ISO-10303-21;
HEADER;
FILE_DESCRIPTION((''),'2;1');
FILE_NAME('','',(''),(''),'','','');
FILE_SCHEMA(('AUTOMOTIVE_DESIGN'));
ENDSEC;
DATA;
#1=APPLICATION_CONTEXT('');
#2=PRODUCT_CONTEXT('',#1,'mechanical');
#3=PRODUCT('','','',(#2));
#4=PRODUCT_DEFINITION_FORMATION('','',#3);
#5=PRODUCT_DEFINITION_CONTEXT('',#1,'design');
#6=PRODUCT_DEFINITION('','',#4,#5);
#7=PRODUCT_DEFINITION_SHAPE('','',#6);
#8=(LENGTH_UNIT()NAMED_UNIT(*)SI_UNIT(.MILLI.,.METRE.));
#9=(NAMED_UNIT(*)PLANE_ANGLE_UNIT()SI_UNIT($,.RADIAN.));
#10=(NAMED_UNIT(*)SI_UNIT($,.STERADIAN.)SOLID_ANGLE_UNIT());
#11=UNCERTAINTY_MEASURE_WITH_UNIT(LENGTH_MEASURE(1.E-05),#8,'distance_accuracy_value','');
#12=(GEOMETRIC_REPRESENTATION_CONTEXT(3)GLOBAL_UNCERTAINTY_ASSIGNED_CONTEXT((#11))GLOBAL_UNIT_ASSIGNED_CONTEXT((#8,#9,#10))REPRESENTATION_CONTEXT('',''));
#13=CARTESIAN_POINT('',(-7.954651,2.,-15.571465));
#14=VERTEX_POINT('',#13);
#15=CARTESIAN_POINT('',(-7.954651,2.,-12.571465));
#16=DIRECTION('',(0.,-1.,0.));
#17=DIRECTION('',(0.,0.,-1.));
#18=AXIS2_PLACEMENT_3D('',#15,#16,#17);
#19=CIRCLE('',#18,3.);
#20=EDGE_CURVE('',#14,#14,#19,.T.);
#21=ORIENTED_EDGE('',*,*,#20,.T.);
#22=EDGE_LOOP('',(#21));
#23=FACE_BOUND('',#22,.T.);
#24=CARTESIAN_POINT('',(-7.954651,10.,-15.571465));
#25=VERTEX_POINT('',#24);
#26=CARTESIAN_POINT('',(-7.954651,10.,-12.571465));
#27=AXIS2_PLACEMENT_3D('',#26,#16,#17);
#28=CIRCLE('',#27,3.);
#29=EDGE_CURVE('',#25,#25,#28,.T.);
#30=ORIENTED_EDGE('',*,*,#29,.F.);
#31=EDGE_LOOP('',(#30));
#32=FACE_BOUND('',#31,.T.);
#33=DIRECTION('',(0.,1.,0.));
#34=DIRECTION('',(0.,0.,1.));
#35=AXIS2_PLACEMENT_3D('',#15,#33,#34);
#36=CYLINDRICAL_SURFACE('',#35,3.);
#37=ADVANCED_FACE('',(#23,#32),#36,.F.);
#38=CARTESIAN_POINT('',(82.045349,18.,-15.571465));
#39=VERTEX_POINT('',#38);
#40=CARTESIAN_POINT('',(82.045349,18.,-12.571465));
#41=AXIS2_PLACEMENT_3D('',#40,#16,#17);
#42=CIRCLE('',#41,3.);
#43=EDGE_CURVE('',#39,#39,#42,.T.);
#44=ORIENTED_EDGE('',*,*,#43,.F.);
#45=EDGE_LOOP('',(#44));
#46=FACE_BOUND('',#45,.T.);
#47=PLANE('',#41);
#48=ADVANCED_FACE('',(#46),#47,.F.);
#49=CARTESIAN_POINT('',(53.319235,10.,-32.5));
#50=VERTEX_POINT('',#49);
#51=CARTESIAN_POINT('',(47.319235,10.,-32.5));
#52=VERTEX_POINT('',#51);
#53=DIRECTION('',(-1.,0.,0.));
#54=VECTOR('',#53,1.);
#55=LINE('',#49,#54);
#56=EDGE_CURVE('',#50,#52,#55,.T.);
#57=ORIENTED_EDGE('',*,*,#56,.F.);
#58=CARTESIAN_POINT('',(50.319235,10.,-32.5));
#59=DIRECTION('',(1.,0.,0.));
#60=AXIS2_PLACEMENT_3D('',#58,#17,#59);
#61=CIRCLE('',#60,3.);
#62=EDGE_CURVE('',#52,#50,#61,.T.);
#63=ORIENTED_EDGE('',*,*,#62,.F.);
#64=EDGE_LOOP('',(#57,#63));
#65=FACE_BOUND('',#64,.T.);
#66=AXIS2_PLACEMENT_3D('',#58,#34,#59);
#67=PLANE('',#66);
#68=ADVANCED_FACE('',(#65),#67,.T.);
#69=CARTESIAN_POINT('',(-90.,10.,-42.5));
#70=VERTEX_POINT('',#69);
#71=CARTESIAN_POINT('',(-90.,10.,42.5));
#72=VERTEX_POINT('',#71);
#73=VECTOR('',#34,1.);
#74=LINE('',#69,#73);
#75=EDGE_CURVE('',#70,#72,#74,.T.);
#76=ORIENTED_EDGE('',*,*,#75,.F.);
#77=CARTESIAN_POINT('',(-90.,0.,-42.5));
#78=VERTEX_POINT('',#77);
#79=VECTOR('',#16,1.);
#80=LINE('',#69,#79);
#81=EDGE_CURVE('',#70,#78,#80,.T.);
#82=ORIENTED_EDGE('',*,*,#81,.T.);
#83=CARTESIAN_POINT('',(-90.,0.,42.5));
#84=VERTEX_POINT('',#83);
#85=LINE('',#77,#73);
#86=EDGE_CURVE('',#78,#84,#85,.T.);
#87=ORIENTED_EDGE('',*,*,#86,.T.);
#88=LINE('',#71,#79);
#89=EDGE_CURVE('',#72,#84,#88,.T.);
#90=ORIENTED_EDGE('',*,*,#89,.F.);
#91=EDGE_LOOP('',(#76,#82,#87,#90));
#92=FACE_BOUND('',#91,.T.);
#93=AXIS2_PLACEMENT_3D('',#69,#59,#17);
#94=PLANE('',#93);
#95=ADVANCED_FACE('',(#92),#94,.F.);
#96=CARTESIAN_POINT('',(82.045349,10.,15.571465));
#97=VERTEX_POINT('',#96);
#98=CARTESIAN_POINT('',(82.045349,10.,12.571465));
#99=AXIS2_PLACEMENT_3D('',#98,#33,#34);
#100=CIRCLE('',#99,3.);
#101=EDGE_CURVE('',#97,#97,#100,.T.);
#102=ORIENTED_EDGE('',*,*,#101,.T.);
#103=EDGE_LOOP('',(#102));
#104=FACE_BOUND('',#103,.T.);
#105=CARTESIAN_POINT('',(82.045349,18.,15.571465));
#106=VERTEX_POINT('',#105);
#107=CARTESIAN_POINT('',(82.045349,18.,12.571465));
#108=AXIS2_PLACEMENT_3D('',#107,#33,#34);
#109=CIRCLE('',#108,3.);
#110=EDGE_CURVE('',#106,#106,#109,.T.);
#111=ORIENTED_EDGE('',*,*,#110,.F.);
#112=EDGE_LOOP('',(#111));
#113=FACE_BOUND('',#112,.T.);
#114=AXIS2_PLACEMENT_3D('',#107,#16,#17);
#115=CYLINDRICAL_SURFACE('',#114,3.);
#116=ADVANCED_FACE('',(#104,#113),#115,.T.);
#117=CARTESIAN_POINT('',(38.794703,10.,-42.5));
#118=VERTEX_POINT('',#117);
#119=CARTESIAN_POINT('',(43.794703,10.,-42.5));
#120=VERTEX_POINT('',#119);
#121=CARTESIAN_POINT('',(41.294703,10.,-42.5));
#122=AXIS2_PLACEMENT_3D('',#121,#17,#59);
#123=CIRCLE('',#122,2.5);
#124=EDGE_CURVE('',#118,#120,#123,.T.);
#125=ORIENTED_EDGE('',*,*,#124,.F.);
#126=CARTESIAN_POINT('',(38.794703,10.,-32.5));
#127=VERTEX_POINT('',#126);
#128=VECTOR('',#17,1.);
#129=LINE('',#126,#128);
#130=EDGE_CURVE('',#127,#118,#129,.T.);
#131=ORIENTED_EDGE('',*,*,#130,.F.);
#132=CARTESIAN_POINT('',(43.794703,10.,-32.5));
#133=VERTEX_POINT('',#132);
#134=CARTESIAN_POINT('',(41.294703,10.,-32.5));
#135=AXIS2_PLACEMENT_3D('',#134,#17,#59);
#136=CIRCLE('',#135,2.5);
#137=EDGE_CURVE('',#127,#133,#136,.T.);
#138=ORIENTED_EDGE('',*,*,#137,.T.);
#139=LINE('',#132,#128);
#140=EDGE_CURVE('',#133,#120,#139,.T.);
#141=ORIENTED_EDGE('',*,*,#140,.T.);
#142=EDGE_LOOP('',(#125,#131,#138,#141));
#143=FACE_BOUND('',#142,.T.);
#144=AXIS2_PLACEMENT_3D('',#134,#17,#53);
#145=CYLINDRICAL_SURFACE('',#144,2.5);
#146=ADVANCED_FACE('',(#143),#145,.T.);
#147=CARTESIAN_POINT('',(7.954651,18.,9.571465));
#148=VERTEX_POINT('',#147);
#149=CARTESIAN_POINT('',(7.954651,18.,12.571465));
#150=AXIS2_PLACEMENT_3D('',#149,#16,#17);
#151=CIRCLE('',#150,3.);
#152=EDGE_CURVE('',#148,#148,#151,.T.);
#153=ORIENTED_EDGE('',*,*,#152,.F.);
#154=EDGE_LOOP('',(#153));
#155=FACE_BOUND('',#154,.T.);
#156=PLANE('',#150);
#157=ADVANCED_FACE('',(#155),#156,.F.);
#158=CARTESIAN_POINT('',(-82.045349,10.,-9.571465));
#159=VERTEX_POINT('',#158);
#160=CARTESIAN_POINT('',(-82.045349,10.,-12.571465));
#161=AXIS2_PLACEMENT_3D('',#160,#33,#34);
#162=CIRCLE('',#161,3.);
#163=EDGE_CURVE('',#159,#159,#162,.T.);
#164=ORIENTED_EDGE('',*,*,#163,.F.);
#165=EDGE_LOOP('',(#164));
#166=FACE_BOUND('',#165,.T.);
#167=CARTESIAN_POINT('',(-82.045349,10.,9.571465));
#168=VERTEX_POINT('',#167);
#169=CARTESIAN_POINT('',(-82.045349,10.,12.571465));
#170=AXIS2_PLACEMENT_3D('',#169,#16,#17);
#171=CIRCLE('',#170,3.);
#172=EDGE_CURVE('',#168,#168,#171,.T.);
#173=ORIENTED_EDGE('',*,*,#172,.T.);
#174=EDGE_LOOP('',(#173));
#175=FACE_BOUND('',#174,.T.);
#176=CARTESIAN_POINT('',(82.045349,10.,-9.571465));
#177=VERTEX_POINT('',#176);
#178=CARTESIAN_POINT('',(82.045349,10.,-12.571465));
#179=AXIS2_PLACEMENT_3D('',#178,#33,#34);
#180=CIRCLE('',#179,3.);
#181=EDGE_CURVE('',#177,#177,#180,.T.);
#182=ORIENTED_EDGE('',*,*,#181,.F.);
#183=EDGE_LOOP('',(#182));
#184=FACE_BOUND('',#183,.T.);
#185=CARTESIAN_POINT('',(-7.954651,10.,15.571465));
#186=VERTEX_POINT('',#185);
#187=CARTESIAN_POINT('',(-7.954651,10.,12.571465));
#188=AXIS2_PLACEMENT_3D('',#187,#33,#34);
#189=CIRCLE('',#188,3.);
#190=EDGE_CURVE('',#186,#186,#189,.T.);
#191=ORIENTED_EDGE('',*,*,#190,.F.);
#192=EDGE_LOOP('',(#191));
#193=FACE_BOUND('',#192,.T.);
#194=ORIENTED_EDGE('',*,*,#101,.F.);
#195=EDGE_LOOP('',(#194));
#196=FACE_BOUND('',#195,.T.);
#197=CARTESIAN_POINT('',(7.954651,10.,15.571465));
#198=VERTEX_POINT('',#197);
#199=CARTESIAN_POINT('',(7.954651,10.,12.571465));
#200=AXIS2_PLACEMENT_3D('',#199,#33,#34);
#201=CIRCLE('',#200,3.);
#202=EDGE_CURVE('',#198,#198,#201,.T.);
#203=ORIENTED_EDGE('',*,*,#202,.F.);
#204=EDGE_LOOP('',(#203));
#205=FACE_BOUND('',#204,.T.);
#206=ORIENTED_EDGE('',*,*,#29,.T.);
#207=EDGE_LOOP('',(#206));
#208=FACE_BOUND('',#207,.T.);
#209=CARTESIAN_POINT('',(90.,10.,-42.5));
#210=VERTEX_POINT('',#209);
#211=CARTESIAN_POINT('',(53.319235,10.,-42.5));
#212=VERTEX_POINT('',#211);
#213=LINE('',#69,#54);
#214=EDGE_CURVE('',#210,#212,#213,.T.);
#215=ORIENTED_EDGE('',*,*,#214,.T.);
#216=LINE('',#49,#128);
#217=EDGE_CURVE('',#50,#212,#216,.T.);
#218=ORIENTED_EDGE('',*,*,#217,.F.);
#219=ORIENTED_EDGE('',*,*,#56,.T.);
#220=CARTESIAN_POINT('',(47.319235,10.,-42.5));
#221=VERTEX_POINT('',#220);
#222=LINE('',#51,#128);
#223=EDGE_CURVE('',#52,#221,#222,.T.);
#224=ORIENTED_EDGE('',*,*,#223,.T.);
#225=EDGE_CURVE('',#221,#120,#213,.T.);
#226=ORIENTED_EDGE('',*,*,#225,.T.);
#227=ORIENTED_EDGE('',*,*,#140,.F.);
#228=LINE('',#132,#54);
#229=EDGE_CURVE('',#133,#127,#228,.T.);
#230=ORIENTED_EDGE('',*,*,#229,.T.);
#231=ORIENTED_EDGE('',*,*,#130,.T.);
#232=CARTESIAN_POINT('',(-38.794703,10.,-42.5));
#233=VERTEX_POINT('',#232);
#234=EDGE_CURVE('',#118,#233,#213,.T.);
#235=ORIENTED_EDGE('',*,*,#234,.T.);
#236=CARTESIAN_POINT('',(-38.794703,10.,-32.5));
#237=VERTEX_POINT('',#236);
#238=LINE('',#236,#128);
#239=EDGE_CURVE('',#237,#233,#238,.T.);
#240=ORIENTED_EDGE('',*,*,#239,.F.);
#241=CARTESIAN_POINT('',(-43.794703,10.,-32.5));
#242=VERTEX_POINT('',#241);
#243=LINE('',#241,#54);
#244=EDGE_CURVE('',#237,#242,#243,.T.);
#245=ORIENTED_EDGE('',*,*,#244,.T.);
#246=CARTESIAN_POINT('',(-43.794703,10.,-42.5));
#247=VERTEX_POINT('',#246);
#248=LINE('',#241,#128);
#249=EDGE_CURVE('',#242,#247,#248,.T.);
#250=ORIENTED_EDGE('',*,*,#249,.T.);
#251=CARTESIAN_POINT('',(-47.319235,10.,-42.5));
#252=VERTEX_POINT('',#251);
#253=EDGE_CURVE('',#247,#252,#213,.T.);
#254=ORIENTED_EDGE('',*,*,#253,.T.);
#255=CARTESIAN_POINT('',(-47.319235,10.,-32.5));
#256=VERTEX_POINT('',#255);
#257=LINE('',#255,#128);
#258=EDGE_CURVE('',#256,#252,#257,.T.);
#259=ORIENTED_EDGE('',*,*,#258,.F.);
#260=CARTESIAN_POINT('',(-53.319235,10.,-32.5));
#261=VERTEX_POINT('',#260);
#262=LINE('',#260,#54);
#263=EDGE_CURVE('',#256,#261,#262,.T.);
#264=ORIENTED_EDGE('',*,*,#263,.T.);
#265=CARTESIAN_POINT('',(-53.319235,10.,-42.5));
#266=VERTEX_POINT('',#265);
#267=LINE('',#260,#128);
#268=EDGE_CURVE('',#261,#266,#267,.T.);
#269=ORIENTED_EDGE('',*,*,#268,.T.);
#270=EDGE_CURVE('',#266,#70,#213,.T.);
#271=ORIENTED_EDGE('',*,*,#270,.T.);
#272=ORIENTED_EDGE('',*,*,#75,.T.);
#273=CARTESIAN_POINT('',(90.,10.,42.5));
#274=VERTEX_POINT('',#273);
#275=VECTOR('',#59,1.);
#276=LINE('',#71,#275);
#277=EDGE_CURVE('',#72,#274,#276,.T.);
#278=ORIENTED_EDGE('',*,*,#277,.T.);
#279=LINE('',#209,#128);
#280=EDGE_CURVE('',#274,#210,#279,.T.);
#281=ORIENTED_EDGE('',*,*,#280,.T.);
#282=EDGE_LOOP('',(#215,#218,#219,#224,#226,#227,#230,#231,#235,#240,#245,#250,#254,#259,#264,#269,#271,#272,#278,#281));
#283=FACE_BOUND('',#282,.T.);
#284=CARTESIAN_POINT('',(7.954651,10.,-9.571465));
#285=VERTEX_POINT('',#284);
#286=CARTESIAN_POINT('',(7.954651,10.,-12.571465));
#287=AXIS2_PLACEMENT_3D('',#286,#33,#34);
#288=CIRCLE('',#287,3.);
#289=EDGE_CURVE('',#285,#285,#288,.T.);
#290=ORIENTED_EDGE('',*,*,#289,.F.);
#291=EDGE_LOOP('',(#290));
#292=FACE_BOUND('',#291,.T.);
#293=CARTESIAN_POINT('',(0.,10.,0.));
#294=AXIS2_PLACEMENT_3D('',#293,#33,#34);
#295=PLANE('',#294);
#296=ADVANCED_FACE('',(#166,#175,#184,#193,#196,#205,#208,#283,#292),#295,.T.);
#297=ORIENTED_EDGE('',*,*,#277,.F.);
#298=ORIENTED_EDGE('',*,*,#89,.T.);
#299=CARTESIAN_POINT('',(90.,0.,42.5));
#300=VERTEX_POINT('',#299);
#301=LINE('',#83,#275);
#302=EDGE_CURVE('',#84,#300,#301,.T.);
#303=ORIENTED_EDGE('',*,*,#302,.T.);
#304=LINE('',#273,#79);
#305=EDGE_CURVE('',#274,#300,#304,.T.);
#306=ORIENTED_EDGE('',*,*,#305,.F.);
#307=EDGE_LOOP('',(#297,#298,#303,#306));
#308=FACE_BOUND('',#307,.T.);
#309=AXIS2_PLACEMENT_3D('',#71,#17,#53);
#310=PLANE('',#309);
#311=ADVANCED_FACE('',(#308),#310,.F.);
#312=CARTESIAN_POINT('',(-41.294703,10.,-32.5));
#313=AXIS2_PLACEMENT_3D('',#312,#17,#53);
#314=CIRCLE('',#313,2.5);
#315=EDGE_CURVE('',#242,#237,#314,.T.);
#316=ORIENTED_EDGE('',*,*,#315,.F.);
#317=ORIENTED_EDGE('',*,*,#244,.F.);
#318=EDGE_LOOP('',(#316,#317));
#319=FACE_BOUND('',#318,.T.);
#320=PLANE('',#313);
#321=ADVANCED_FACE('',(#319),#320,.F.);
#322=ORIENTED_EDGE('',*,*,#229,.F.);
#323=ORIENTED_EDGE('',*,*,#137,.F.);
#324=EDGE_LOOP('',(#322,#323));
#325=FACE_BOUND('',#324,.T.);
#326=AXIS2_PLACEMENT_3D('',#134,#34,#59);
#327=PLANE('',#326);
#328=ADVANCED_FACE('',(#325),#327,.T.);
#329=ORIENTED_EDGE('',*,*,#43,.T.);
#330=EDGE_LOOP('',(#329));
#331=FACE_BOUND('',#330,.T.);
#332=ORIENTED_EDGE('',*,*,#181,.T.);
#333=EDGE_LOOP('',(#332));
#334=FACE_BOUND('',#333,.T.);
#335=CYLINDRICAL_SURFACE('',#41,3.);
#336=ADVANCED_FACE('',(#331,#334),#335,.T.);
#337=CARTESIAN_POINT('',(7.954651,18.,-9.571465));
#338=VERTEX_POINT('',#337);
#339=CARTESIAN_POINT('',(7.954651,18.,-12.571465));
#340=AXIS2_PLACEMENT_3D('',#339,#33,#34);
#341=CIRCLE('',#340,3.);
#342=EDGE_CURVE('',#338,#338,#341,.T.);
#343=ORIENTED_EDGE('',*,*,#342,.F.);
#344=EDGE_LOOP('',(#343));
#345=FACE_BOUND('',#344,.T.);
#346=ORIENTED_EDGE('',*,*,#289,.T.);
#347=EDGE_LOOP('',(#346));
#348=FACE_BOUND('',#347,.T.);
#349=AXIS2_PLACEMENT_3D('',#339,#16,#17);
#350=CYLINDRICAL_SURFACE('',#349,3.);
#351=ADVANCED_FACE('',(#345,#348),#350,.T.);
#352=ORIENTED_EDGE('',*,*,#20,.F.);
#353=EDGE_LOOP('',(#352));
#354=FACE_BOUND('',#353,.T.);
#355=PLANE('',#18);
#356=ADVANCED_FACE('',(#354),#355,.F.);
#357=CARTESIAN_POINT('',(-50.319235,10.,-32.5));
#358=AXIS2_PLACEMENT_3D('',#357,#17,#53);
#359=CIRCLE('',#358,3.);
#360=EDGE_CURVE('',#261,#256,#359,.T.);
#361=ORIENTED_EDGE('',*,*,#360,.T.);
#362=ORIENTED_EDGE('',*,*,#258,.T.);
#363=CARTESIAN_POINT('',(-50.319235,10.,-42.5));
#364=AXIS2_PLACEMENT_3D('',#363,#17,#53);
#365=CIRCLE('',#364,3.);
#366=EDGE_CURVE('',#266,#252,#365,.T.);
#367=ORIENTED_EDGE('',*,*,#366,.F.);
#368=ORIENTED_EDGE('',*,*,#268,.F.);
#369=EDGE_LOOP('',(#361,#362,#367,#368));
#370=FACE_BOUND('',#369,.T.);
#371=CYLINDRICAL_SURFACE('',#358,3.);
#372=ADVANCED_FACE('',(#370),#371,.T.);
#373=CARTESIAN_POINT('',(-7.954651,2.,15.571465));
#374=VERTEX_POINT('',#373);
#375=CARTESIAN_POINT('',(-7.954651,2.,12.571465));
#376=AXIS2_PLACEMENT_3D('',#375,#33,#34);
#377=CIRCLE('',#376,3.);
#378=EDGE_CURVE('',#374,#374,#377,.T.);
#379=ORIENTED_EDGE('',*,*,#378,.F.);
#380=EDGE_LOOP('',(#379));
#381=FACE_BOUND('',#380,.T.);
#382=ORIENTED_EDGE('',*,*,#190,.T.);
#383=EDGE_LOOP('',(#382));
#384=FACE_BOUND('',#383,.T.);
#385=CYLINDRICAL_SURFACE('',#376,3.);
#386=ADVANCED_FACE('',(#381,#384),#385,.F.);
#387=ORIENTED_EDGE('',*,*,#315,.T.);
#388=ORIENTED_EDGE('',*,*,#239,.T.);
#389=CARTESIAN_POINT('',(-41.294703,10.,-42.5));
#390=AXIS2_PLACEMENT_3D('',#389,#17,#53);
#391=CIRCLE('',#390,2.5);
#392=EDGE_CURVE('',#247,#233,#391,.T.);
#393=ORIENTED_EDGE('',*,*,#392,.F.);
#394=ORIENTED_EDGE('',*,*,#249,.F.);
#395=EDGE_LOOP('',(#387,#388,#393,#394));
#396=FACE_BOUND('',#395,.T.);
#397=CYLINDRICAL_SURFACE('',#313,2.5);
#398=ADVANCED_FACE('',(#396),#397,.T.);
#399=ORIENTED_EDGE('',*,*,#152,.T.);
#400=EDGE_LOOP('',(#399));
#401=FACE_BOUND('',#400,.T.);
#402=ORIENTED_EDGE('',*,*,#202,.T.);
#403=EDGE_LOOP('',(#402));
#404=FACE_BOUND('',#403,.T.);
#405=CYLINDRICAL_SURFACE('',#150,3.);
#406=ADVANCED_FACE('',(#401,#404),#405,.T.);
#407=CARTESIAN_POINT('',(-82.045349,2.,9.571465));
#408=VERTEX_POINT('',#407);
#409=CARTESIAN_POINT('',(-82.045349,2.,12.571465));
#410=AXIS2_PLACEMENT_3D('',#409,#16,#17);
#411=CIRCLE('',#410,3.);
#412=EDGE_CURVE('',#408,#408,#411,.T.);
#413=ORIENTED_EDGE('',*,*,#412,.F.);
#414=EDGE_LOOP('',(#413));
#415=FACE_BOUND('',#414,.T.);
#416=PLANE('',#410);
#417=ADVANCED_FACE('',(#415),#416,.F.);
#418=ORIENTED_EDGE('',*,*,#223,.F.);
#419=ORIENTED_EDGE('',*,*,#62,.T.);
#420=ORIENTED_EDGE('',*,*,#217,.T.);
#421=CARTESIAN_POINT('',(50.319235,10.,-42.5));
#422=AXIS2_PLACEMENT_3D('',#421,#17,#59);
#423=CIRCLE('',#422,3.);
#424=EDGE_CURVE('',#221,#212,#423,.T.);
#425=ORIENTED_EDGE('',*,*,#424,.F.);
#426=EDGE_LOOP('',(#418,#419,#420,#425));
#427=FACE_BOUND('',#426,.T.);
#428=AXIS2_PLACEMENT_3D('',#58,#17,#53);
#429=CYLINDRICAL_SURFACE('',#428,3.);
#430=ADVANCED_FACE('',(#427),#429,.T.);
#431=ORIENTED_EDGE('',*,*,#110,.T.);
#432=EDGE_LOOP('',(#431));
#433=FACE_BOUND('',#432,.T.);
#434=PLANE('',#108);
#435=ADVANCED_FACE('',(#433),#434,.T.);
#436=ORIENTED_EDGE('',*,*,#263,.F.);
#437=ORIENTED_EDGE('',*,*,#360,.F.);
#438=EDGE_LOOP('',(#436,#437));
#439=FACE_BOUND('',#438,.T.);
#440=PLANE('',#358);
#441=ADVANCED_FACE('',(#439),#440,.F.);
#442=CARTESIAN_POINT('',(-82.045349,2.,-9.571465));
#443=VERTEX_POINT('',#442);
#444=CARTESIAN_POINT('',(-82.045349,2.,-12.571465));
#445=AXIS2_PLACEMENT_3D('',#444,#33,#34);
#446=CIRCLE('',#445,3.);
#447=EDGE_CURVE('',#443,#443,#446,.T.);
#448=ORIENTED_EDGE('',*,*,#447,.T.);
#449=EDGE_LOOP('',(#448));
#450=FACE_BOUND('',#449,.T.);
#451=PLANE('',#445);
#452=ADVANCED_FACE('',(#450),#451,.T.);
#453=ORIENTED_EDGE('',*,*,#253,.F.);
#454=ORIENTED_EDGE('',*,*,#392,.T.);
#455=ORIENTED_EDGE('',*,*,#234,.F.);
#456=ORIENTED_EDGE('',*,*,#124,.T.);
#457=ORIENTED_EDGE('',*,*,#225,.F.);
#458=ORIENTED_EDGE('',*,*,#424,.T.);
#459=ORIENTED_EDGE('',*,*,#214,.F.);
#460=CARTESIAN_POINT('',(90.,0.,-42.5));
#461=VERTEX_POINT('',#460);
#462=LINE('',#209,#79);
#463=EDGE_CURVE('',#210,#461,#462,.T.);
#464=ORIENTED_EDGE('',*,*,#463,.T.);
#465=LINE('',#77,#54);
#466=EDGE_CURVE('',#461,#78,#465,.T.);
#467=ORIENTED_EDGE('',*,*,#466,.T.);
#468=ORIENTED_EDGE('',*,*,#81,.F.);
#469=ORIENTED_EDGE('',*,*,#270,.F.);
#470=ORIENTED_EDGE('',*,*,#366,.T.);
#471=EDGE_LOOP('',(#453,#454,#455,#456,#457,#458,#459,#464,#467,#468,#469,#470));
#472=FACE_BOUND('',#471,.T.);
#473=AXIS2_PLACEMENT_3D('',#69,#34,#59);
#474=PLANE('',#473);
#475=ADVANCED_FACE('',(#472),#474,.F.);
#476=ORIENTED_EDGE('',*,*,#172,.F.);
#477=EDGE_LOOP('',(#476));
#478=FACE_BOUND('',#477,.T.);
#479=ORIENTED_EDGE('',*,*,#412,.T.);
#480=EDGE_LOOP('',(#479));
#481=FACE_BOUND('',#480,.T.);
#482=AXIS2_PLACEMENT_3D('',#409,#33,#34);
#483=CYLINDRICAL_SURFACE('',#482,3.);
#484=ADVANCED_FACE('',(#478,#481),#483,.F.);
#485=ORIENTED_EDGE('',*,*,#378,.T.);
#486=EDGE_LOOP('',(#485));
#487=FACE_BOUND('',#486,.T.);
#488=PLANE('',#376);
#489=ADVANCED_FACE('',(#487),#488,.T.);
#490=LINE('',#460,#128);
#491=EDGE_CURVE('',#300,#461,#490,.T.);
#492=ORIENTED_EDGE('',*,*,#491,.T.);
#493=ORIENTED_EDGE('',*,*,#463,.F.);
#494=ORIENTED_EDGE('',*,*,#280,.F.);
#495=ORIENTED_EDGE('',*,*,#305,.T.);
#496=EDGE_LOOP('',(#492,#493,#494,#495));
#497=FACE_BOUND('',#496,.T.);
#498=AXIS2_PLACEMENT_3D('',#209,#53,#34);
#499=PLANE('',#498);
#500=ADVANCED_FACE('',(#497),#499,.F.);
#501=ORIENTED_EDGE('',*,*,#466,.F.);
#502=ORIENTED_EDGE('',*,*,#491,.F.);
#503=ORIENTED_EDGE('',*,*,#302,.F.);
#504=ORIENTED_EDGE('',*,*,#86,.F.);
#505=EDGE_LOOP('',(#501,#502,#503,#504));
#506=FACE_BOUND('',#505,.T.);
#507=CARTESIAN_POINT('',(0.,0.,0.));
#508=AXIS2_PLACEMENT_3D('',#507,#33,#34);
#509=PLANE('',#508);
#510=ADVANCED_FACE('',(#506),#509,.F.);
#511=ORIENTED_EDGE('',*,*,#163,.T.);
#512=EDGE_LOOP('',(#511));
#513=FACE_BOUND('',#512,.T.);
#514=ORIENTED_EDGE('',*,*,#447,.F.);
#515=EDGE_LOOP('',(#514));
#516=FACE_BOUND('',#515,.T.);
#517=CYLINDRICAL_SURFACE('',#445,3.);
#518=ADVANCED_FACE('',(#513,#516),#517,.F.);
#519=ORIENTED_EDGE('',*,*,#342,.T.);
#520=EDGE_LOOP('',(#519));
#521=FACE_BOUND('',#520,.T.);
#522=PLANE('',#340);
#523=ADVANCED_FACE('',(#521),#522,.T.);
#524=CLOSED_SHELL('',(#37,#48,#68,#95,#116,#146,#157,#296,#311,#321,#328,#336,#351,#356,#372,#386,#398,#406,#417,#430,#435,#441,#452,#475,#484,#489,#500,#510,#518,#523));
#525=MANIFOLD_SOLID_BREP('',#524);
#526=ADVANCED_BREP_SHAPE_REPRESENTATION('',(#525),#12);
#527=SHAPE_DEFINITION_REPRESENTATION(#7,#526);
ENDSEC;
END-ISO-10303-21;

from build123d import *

# Parameters (mm, degrees)
SCHIZZO1_W                   = 180
SCHIZZO1_H                   = 85
ESTRUSIONE_ESTRUSIONE1_DEPTH = 10
SCHIZZO5_R                   = 3
ESTRUSIONE_ESTRUSIONE3_DEPTH = 8
SCHIZZO5_3_R                 = 3
TAGLIO_ESTRUSIONE1_DEPTH     = 8
ESTRUSIONE_ESTRUSIONE4_DEPTH = 10


with BuildPart() as part:
    # Schizzo1 → Estrusione-Estrusione1 (new body)
    with BuildSketch(Plane(origin=(0, 0, 0), x_dir=(1, 0, 0), z_dir=(0, 1, 0))):
        Rectangle(SCHIZZO1_W, SCHIZZO1_H)
    extrude(amount=ESTRUSIONE_ESTRUSIONE1_DEPTH)

    # Schizzo5 → Estrusione-Estrusione3 (add)
    with BuildSketch(Plane(origin=(0, 10, 0), x_dir=(1, 0, 0), z_dir=(0, 1, 0))):
        with Locations((82.045349051, -12.571464774)):
            Circle(SCHIZZO5_R)
        with Locations((82.045349051, 12.571464774)):
            Circle(SCHIZZO5_R)
        with Locations((7.954650949, -12.571464774)):
            Circle(SCHIZZO5_R)
        with Locations((7.954650949, 12.571464774)):
            Circle(SCHIZZO5_R)
    extrude(amount=ESTRUSIONE_ESTRUSIONE3_DEPTH)

    # Schizzo5<3> → Taglio-Estrusione1 (cut)
    with BuildSketch(Plane(origin=(0, 10, 0), x_dir=(1, 0, 0), z_dir=(0, 1, 0))):
        with Locations((-82.045349051, 12.571464774)):
            Circle(SCHIZZO5_3_R)
        with Locations((-82.045349051, -12.571464774)):
            Circle(SCHIZZO5_3_R)
        with Locations((-7.954650949, -12.571464774)):
            Circle(SCHIZZO5_3_R)
        with Locations((-7.954650949, 12.571464774)):
            Circle(SCHIZZO5_3_R)
    extrude(amount=-TAGLIO_ESTRUSIONE1_DEPTH, mode=Mode.SUBTRACT)

    # Schizzo6 → Estrusione-Estrusione4 (add)
    with BuildSketch(Plane(origin=(0, 0, -42.5), x_dir=(-1, 0, 0), z_dir=(0, 0, -1))):
        with BuildLine():
            Line((-53.319235265, 10), (-47.319235265, 10))
            ThreePointArc((-47.319235265, 10), (-50.319235265, 13), (-53.319235265, 10))
        make_face()
        with BuildLine():
            Line((-43.794702793, 10), (-38.794702793, 10))
            ThreePointArc((-38.794702793, 10), (-41.294702793, 12.5), (-43.794702793, 10))
        make_face()
        with BuildLine():
            Line((43.794702793, 10), (38.794702793, 10))
            ThreePointArc((38.794702793, 10), (41.294702793, 12.5), (43.794702793, 10))
        make_face()
        with BuildLine():
            Line((53.319235265, 10), (47.319235265, 10))
            ThreePointArc((47.319235265, 10), (50.319235265, 13), (53.319235265, 10))
        make_face()
    extrude(amount=-ESTRUSIONE_ESTRUSIONE4_DEPTH)


solid = part.part
